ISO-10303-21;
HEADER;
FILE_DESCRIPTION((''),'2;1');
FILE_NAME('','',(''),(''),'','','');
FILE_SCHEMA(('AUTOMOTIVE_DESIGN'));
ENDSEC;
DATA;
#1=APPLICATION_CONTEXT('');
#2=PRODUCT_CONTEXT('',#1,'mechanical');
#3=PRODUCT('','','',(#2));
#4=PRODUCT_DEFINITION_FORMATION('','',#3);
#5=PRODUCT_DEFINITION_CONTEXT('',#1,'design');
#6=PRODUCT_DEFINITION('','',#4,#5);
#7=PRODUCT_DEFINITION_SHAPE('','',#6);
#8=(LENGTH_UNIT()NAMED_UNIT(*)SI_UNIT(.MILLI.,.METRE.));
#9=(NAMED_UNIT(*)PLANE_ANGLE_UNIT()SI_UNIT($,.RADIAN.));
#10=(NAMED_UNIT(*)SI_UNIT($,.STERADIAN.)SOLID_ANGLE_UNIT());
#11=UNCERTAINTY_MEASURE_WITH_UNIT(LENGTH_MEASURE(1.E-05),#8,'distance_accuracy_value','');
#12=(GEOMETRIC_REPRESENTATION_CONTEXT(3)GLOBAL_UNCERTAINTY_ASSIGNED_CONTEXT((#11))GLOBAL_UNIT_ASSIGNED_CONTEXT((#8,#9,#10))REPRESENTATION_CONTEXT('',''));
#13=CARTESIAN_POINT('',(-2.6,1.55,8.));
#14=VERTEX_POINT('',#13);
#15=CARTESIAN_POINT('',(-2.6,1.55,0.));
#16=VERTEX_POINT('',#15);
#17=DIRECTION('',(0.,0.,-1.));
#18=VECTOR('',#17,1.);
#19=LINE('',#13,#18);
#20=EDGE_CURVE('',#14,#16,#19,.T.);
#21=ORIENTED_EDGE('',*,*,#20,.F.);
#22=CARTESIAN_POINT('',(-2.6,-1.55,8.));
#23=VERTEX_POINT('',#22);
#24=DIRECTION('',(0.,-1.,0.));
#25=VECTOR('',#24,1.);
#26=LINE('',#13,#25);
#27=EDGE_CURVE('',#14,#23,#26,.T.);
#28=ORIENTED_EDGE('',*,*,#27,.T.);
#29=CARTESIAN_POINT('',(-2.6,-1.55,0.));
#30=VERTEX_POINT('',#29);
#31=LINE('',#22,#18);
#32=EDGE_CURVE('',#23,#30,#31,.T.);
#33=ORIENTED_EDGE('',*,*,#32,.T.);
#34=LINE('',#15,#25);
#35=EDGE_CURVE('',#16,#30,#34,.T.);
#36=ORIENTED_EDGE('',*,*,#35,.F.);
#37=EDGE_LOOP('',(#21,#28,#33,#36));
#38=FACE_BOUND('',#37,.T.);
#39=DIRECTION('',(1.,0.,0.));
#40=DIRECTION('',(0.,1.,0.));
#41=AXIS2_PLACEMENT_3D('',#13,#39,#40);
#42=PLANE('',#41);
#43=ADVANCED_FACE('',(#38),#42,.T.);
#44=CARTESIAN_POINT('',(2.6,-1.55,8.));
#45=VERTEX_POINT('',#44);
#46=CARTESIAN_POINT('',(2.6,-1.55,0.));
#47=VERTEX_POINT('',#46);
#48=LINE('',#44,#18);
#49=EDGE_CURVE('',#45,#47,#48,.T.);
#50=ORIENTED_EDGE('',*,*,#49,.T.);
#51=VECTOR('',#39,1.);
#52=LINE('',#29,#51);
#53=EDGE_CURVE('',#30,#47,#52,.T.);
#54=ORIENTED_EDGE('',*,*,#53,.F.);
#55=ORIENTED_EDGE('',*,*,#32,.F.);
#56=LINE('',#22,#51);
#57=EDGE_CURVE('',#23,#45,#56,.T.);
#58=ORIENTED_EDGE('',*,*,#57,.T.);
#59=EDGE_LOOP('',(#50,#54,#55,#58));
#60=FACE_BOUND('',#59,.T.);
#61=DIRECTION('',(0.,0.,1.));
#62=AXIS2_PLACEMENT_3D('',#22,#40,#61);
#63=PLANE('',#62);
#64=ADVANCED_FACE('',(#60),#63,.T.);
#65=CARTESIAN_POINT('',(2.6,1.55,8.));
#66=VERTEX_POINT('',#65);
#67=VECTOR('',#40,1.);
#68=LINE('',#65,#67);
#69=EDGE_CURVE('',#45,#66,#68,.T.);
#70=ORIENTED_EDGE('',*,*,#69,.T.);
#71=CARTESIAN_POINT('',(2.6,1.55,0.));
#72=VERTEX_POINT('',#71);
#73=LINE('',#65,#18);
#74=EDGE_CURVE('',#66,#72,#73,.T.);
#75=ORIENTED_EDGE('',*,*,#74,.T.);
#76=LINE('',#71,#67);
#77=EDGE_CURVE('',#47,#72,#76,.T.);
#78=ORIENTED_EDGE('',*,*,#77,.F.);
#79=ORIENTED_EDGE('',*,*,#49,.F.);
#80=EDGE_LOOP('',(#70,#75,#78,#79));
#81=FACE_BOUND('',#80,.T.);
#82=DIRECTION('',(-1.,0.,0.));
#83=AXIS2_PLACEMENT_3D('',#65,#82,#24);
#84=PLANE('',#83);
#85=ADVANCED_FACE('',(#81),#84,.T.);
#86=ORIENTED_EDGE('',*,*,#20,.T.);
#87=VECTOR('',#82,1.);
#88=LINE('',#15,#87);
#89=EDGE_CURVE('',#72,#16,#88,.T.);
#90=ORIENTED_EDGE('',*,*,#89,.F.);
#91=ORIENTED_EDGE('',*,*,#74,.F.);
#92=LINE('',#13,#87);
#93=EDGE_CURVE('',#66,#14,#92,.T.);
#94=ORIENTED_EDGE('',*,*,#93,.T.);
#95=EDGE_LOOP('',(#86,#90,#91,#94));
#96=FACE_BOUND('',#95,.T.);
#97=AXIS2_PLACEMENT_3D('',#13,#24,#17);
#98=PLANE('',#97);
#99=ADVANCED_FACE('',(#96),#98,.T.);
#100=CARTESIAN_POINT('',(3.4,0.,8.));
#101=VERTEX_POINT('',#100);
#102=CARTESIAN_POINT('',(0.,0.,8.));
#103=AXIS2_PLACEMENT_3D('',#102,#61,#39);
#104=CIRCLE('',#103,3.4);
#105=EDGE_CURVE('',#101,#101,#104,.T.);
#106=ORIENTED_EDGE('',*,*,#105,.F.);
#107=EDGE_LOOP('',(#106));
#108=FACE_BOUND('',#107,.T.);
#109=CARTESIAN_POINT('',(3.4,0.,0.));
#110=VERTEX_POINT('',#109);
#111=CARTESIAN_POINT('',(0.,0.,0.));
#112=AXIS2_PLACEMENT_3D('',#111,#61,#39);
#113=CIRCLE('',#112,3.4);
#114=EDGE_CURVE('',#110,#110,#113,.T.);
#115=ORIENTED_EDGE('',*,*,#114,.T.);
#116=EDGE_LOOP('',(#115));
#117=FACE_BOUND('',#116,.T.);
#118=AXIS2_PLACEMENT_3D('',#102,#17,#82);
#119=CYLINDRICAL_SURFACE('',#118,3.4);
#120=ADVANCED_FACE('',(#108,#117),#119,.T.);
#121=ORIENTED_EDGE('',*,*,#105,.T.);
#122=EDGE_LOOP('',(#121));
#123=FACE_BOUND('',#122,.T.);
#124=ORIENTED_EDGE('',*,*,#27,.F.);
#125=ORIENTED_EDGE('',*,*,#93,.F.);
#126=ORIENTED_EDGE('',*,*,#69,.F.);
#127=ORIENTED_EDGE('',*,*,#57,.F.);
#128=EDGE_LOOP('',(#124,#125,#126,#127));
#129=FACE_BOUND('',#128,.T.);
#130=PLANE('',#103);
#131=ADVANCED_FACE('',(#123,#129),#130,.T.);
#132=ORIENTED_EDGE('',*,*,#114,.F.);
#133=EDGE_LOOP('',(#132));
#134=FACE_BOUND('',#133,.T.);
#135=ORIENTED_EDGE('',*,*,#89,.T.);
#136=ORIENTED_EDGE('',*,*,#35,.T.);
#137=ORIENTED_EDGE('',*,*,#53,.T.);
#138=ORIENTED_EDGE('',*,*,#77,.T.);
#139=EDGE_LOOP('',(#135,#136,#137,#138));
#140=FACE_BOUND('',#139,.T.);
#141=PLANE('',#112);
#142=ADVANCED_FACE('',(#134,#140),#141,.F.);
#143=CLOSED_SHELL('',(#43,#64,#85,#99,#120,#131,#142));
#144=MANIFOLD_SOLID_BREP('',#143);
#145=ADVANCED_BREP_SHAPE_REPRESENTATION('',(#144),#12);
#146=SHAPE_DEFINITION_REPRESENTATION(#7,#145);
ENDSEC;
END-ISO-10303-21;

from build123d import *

# Parameters (mm, degrees)
CROQUIS1_R              = 3.4
CROQUIS1_W              = 5.2
CROQUIS1_H              = 3.1
SALIENTE_EXTRUIR1_DEPTH = 8


with BuildPart() as part:
    # Croquis1 → Saliente-Extruir1 (new body)
    with BuildSketch(Plane.XY):
        Circle(CROQUIS1_R)
        Rectangle(CROQUIS1_W, CROQUIS1_H, mode=Mode.SUBTRACT)
    extrude(amount=SALIENTE_EXTRUIR1_DEPTH)


solid = part.part
